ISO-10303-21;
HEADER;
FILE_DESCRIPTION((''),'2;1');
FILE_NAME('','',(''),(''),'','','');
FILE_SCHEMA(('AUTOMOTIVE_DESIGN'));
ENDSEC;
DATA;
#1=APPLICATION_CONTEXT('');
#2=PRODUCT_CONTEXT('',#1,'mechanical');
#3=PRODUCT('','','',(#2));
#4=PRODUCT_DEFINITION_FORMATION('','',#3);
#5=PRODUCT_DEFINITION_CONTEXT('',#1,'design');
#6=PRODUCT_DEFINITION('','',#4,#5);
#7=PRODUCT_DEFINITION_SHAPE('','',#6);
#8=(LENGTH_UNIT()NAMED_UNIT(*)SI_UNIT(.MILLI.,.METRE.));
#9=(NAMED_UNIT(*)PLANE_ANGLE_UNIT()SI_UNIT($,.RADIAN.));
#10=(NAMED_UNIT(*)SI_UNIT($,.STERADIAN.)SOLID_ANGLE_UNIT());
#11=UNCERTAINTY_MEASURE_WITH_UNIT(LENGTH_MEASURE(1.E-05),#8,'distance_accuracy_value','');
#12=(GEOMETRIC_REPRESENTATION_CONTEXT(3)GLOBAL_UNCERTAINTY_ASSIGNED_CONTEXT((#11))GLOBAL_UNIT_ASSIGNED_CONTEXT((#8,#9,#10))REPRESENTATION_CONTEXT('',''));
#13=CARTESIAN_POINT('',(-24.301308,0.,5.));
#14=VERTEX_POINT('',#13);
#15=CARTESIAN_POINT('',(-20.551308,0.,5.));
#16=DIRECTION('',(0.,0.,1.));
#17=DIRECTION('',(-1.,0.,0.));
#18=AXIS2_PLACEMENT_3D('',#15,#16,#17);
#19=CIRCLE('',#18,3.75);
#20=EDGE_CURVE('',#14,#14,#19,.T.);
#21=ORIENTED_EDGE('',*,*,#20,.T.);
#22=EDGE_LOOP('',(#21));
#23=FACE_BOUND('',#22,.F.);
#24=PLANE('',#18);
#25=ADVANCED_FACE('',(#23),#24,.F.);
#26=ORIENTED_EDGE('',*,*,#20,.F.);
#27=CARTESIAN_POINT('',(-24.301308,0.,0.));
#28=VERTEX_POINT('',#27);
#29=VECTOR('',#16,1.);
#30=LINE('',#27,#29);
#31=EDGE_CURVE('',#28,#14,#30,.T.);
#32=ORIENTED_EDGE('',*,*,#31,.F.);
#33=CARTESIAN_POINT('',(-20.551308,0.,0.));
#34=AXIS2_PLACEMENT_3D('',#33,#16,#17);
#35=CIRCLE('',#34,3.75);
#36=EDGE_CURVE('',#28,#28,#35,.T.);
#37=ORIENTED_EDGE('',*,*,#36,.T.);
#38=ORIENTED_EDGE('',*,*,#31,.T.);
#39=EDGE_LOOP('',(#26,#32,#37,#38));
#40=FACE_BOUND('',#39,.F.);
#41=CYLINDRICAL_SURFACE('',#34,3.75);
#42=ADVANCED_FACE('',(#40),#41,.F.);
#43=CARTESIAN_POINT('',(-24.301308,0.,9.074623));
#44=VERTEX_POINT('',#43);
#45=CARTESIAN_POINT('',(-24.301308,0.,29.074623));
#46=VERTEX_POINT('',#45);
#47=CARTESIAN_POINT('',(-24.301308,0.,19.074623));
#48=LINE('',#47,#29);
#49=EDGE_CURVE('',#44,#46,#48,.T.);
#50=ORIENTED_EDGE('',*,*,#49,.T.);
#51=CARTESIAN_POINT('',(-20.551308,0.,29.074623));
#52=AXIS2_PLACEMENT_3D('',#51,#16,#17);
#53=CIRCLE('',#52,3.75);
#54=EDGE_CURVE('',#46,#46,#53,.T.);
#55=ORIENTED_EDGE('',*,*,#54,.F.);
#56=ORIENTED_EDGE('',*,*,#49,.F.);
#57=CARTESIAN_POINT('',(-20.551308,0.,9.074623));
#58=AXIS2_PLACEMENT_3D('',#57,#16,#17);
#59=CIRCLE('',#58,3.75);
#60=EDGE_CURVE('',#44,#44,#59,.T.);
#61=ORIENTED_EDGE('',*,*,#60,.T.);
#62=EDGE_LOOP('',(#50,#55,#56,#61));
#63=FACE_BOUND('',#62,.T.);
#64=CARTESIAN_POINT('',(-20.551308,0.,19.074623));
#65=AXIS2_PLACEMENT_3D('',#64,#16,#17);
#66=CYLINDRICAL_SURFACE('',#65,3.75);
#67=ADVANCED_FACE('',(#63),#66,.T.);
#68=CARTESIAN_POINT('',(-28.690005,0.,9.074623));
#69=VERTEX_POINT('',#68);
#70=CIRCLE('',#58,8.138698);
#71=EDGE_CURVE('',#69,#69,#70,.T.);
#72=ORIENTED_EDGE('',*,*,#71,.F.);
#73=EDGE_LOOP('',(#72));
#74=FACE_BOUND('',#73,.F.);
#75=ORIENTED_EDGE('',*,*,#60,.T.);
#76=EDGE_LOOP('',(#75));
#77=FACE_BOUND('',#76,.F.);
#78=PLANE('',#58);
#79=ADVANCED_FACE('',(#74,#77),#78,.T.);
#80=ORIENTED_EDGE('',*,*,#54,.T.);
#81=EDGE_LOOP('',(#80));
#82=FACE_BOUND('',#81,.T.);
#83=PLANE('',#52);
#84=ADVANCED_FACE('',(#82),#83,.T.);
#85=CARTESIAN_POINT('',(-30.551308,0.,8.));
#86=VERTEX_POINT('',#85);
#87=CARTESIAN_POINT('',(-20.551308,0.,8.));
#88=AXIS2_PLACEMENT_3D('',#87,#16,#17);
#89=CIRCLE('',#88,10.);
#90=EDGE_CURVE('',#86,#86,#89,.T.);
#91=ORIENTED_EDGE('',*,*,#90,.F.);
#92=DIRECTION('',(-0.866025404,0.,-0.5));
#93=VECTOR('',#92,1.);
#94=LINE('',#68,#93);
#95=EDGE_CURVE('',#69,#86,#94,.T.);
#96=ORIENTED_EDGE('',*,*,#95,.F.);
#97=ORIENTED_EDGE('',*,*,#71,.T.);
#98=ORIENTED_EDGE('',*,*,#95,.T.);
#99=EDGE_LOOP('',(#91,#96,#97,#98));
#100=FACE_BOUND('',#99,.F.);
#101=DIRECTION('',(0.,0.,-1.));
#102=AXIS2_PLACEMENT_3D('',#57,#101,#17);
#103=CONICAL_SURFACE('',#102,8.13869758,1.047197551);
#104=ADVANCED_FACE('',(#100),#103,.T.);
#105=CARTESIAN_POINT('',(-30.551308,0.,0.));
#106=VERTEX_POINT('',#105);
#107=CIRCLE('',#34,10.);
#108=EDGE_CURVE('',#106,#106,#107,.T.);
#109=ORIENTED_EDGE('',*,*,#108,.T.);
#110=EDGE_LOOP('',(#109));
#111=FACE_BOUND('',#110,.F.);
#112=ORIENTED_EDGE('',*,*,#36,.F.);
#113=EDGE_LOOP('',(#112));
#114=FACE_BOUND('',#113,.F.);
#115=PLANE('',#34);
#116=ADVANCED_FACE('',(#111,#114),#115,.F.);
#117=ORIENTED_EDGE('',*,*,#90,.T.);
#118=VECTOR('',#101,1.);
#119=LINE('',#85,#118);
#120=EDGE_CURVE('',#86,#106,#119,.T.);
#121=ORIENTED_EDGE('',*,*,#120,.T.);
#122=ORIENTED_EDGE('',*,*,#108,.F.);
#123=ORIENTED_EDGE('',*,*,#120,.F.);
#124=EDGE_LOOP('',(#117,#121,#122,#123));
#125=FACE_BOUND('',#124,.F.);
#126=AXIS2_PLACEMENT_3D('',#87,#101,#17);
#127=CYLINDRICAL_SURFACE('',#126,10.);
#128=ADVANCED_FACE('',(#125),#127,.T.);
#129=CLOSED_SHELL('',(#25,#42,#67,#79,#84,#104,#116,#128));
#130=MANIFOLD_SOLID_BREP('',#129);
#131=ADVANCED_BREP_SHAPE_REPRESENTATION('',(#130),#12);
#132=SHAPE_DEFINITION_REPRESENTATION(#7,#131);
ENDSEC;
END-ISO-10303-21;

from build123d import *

# Parameters (mm, degrees)
F0_W   = 3.75
F0_H   = 20
F0_H_2 = 3
F0_H_3 = 1.0746234533


with BuildPart() as f1:
    # F0 (on Front) → F1 (revolve)
    with BuildSketch(Plane.XZ):
        with Locations((-22.4263077103, 19.0746234533)):
            Rectangle(F0_W, F0_H)
        Polygon((-24.3013077103, 8), (-30.5513077103, 8), (-30.5513077103, 0), (-24.3013077103, 0), (-24.3013077103, 5), align=None)
        Polygon((-28.6900052902, 9.0746234533), (-30.5513077103, 8), (-24.3013077103, 8), (-24.3013077103, 9.0746234533), align=None)
        with Locations((-22.4263077103, 6.5)):
            Rectangle(F0_W, F0_H_2)
        with Locations((-22.4263077103, 8.5373117267)):
            Rectangle(F0_W, F0_H_3)
    revolve(axis=Axis((-20.5513077103, 0, 19.0746234533), (0, 0, 1)))


solid = f1.part
